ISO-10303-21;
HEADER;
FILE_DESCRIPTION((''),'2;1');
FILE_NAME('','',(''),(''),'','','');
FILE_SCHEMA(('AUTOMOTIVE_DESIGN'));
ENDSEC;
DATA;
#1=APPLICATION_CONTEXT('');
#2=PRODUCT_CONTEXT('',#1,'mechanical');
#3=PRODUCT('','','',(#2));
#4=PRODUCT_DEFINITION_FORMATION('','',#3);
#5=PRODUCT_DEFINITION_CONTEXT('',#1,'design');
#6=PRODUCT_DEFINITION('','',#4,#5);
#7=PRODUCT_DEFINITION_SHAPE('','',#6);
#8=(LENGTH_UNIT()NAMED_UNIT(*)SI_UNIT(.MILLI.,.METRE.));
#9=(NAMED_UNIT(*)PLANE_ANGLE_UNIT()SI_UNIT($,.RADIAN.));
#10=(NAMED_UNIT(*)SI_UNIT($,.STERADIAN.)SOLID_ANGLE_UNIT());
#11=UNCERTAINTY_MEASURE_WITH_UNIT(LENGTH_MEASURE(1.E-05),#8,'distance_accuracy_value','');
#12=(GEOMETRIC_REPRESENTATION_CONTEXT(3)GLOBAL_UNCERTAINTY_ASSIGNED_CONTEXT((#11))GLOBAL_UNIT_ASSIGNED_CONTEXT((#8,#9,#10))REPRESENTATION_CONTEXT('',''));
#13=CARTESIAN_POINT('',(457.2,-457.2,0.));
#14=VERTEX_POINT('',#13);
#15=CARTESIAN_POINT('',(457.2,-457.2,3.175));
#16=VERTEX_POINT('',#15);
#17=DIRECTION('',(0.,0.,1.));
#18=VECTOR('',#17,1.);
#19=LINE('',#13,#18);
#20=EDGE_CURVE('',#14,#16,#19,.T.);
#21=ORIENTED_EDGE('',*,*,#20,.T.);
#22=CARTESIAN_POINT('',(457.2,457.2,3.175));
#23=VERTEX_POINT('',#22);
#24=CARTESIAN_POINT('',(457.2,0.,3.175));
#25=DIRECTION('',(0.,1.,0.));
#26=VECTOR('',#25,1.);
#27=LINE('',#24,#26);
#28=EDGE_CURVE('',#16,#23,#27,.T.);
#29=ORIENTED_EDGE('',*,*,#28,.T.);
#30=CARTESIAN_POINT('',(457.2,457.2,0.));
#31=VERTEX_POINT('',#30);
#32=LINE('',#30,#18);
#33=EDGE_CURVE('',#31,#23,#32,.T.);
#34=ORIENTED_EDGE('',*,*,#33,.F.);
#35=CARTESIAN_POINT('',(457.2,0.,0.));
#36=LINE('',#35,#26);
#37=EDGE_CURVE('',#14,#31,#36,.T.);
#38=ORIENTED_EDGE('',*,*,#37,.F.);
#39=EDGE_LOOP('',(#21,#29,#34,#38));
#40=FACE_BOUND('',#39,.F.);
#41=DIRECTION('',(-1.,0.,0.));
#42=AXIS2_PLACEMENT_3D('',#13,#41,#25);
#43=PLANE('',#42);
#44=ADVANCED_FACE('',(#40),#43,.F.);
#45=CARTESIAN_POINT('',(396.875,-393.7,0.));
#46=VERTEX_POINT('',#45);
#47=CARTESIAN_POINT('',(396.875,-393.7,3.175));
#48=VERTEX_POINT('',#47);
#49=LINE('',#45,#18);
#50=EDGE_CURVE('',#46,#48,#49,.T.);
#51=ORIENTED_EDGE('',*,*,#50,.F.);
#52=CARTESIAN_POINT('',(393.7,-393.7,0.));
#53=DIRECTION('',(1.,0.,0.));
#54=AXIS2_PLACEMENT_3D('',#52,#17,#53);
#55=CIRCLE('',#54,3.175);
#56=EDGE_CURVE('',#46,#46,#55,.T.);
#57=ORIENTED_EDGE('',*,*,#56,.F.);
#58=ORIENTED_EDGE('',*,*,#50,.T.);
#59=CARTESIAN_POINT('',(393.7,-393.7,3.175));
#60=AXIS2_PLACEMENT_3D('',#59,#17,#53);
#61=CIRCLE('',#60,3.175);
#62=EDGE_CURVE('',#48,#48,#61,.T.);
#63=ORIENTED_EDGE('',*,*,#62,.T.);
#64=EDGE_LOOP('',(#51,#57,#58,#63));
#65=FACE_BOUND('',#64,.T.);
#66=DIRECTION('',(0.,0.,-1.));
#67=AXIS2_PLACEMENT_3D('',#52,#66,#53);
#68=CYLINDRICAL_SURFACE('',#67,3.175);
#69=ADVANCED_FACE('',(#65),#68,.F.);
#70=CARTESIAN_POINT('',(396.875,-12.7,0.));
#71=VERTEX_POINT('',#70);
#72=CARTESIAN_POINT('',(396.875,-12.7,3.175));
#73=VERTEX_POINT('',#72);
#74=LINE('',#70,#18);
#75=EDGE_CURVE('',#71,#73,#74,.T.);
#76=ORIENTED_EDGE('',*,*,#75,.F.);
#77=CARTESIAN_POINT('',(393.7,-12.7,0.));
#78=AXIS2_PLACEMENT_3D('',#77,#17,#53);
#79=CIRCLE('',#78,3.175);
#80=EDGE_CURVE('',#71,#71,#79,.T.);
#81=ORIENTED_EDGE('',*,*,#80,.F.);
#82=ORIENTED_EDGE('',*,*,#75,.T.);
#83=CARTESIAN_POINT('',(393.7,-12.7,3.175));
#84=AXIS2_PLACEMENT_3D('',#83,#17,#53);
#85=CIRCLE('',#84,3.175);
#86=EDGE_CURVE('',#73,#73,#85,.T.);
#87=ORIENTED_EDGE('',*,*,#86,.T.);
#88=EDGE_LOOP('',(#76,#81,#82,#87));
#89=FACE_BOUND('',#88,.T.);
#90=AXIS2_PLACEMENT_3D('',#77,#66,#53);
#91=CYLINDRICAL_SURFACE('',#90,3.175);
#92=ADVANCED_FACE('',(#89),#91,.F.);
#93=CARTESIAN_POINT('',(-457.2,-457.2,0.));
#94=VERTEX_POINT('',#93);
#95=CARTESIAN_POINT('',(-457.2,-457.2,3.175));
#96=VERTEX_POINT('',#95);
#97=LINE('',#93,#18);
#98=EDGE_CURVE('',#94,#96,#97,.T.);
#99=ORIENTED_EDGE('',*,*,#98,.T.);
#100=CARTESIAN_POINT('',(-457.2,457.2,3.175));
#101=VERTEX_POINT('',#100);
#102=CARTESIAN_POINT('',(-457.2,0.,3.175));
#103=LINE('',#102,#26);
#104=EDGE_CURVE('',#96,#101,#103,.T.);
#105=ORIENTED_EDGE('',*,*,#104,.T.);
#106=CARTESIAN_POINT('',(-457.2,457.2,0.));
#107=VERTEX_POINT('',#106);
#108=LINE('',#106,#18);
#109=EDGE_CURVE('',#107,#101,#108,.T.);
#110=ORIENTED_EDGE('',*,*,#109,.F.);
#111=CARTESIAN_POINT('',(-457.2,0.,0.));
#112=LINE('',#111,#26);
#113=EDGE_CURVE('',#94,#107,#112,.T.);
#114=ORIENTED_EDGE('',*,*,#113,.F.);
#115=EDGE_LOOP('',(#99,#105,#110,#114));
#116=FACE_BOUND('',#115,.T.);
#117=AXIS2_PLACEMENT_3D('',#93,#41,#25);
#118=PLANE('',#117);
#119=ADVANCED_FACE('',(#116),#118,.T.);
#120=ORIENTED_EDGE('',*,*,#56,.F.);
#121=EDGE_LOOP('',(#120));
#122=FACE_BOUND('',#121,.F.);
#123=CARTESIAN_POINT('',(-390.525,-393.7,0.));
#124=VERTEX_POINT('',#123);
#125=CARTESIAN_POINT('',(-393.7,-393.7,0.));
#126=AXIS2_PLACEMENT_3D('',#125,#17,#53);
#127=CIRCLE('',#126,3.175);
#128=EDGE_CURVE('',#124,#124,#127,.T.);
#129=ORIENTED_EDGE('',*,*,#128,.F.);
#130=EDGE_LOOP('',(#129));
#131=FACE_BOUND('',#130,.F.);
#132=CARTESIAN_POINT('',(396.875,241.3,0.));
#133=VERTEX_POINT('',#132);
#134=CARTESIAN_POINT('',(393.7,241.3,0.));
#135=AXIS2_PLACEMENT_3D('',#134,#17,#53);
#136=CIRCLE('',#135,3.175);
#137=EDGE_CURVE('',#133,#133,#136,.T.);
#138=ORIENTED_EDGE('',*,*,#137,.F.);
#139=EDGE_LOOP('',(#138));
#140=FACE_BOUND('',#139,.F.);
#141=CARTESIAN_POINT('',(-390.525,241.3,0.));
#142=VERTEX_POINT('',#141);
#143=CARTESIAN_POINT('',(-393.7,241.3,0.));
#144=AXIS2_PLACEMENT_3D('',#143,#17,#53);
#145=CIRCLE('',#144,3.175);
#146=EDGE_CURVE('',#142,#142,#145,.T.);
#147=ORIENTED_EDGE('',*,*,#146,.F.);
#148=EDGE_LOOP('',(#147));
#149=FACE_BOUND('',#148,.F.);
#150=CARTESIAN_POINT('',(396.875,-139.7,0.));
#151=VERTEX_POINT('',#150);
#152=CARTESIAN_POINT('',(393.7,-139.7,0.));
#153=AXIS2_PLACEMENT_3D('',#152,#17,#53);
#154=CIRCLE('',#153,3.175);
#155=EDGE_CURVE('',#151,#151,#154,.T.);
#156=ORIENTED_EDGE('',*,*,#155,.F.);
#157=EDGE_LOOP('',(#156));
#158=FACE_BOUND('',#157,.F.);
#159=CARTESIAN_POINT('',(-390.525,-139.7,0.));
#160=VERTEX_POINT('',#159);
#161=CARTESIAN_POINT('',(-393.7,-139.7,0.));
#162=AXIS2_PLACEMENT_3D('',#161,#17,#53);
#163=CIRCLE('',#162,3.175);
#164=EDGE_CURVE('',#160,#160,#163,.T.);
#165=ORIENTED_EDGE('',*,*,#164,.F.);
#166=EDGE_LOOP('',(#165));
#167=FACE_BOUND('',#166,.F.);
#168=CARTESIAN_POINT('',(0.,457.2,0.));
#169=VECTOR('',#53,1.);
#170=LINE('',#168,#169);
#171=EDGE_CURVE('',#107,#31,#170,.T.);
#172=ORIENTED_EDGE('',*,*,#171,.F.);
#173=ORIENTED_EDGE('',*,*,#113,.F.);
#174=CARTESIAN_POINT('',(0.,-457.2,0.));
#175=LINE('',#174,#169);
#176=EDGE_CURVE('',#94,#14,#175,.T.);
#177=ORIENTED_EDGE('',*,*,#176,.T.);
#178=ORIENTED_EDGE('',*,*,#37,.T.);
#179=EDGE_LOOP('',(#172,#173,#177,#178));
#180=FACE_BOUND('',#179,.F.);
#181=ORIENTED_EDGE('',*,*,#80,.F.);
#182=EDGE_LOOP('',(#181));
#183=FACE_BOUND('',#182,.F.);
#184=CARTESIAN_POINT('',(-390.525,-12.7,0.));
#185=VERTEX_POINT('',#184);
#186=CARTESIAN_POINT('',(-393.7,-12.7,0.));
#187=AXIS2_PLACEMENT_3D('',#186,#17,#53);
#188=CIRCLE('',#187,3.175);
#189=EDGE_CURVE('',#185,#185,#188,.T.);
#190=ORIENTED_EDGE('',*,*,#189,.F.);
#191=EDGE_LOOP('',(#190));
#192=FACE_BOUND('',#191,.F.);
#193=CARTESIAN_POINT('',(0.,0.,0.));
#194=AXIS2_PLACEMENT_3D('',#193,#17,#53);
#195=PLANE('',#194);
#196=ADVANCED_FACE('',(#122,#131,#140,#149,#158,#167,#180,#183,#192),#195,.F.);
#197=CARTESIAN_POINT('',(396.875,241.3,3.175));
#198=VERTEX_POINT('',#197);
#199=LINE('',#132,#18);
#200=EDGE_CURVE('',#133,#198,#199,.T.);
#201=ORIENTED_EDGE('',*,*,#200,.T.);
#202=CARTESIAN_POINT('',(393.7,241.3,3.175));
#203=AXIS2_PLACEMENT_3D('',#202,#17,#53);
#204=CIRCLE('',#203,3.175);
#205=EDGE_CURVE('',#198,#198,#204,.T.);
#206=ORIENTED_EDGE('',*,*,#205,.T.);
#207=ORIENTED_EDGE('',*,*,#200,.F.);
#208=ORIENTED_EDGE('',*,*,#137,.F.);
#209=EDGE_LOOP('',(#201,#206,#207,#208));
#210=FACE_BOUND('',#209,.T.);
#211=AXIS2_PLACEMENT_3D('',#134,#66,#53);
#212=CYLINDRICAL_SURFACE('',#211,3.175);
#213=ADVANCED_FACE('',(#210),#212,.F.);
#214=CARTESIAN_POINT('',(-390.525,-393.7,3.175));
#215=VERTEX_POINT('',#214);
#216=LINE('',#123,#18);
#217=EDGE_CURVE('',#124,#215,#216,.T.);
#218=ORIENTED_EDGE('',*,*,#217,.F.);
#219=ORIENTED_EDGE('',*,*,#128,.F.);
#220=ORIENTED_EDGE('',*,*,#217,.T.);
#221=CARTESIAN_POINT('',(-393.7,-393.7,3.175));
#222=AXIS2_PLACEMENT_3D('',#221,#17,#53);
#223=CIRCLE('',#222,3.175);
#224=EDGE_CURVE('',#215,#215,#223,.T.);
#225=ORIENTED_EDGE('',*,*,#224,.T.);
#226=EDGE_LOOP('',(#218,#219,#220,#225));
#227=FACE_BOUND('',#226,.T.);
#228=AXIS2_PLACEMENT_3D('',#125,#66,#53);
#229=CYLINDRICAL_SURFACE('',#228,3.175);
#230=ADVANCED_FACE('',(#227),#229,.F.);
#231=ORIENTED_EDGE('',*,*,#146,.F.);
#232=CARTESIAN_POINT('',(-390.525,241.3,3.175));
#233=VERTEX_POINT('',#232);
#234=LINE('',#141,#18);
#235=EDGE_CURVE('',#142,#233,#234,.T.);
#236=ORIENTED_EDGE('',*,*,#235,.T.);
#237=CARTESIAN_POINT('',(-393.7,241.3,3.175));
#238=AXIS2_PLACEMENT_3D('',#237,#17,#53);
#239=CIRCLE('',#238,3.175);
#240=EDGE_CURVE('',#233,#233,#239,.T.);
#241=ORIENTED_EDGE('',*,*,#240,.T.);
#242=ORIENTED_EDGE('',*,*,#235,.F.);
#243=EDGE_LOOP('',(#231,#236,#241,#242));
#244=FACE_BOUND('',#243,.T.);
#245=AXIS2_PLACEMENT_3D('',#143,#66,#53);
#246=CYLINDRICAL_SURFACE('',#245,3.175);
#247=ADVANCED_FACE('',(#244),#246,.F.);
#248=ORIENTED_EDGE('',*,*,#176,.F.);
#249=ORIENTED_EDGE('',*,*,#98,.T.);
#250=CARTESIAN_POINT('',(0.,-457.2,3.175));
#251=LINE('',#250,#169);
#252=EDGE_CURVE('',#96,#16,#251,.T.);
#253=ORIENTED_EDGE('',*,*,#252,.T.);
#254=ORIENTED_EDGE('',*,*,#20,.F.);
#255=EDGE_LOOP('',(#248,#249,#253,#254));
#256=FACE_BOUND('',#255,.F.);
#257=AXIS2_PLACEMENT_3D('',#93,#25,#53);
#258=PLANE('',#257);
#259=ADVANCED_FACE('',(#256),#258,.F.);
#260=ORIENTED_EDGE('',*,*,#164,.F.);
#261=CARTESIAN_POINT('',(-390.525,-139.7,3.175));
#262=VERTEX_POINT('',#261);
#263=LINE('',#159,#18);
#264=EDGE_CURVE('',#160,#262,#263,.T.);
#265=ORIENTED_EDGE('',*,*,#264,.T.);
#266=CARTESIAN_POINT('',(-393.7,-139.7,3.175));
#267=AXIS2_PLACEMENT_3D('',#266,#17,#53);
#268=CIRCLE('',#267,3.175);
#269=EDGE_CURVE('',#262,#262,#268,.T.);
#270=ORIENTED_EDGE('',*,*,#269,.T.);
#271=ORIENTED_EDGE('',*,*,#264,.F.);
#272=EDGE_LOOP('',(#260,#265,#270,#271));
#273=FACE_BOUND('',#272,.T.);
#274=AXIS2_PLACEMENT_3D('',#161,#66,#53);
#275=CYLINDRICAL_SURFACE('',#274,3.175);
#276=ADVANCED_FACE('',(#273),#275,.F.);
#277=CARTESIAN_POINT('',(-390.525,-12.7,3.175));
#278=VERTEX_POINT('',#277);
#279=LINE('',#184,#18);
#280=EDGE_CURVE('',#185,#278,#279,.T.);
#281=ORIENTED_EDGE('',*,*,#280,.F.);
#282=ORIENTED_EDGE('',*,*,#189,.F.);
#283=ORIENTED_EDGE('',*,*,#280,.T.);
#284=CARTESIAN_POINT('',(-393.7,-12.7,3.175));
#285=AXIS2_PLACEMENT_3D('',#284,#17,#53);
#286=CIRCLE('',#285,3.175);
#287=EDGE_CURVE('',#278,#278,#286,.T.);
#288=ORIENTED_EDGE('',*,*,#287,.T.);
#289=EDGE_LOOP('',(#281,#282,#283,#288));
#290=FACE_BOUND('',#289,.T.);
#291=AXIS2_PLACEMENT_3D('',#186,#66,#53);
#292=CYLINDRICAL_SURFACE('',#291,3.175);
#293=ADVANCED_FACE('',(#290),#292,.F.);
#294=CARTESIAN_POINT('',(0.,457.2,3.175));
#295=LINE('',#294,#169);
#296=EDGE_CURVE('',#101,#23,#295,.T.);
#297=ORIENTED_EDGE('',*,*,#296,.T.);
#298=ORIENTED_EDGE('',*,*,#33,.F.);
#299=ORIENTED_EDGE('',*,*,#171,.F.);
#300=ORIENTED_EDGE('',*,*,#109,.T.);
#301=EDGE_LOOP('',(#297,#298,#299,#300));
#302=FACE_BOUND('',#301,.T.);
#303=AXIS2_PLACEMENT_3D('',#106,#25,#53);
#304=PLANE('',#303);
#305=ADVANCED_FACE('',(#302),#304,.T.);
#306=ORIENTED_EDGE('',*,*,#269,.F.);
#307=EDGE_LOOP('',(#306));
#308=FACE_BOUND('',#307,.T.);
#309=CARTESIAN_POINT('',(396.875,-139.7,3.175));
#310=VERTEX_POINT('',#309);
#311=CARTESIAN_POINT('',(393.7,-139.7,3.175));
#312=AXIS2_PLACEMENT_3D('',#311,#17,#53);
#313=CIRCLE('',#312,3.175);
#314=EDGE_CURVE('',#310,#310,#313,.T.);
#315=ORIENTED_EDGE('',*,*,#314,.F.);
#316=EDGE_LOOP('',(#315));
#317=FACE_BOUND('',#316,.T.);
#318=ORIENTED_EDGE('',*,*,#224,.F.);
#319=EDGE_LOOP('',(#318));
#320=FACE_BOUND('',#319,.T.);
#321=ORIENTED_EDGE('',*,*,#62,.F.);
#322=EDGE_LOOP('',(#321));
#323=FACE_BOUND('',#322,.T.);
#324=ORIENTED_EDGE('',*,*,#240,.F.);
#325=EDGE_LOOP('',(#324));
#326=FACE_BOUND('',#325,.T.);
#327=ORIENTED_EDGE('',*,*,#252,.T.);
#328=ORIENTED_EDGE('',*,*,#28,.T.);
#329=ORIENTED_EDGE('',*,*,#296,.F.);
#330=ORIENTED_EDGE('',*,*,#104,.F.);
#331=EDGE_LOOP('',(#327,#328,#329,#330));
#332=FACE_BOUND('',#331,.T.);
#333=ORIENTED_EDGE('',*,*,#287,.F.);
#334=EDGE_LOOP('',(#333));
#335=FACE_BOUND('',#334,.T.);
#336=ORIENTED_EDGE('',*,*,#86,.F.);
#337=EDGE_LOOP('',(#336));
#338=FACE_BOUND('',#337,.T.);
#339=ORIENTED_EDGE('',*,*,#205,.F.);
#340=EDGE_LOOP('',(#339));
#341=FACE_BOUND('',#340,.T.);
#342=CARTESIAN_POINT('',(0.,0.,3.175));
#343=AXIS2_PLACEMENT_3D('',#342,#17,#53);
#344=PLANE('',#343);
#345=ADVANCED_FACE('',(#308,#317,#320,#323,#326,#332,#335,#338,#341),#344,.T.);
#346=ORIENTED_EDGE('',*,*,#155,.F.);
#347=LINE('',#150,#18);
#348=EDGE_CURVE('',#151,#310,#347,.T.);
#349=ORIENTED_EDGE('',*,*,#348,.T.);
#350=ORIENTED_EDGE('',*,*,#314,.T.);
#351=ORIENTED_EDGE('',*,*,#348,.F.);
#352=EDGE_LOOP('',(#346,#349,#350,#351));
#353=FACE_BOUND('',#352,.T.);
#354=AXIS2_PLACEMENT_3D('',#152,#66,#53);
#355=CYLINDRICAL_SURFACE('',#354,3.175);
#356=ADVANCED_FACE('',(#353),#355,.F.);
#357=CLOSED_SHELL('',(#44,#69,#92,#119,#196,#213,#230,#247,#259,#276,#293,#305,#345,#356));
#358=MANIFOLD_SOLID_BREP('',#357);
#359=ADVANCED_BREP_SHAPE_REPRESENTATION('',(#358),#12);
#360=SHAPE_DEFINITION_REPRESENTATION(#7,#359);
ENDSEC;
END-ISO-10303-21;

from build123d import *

# Parameters (mm, degrees)
F0_W     = 914.4
F0_H     = 914.4
F0_R     = 3.175
F1_DEPTH = 3.175


with BuildPart() as f1:
    # F0 (on Top) → F1 (new body)
    with BuildSketch(Plane.XY):
        Rectangle(F0_W, F0_H)
        with Locations((-393.7, -393.7)):
            Circle(F0_R, mode=Mode.SUBTRACT)
        with Locations((-393.7, -139.7)):
            Circle(F0_R, mode=Mode.SUBTRACT)
        with Locations((-393.7, -12.7)):
            Circle(F0_R, mode=Mode.SUBTRACT)
        with Locations((393.7, -393.7)):
            Circle(F0_R, mode=Mode.SUBTRACT)
        with Locations((393.7, -139.7)):
            Circle(F0_R, mode=Mode.SUBTRACT)
        with Locations((393.7, -12.7)):
            Circle(F0_R, mode=Mode.SUBTRACT)
        with Locations((-393.7, 241.3)):
            Circle(F0_R, mode=Mode.SUBTRACT)
        with Locations((393.7, 241.3)):
            Circle(F0_R, mode=Mode.SUBTRACT)
    extrude(amount=F1_DEPTH)


solid = f1.part
